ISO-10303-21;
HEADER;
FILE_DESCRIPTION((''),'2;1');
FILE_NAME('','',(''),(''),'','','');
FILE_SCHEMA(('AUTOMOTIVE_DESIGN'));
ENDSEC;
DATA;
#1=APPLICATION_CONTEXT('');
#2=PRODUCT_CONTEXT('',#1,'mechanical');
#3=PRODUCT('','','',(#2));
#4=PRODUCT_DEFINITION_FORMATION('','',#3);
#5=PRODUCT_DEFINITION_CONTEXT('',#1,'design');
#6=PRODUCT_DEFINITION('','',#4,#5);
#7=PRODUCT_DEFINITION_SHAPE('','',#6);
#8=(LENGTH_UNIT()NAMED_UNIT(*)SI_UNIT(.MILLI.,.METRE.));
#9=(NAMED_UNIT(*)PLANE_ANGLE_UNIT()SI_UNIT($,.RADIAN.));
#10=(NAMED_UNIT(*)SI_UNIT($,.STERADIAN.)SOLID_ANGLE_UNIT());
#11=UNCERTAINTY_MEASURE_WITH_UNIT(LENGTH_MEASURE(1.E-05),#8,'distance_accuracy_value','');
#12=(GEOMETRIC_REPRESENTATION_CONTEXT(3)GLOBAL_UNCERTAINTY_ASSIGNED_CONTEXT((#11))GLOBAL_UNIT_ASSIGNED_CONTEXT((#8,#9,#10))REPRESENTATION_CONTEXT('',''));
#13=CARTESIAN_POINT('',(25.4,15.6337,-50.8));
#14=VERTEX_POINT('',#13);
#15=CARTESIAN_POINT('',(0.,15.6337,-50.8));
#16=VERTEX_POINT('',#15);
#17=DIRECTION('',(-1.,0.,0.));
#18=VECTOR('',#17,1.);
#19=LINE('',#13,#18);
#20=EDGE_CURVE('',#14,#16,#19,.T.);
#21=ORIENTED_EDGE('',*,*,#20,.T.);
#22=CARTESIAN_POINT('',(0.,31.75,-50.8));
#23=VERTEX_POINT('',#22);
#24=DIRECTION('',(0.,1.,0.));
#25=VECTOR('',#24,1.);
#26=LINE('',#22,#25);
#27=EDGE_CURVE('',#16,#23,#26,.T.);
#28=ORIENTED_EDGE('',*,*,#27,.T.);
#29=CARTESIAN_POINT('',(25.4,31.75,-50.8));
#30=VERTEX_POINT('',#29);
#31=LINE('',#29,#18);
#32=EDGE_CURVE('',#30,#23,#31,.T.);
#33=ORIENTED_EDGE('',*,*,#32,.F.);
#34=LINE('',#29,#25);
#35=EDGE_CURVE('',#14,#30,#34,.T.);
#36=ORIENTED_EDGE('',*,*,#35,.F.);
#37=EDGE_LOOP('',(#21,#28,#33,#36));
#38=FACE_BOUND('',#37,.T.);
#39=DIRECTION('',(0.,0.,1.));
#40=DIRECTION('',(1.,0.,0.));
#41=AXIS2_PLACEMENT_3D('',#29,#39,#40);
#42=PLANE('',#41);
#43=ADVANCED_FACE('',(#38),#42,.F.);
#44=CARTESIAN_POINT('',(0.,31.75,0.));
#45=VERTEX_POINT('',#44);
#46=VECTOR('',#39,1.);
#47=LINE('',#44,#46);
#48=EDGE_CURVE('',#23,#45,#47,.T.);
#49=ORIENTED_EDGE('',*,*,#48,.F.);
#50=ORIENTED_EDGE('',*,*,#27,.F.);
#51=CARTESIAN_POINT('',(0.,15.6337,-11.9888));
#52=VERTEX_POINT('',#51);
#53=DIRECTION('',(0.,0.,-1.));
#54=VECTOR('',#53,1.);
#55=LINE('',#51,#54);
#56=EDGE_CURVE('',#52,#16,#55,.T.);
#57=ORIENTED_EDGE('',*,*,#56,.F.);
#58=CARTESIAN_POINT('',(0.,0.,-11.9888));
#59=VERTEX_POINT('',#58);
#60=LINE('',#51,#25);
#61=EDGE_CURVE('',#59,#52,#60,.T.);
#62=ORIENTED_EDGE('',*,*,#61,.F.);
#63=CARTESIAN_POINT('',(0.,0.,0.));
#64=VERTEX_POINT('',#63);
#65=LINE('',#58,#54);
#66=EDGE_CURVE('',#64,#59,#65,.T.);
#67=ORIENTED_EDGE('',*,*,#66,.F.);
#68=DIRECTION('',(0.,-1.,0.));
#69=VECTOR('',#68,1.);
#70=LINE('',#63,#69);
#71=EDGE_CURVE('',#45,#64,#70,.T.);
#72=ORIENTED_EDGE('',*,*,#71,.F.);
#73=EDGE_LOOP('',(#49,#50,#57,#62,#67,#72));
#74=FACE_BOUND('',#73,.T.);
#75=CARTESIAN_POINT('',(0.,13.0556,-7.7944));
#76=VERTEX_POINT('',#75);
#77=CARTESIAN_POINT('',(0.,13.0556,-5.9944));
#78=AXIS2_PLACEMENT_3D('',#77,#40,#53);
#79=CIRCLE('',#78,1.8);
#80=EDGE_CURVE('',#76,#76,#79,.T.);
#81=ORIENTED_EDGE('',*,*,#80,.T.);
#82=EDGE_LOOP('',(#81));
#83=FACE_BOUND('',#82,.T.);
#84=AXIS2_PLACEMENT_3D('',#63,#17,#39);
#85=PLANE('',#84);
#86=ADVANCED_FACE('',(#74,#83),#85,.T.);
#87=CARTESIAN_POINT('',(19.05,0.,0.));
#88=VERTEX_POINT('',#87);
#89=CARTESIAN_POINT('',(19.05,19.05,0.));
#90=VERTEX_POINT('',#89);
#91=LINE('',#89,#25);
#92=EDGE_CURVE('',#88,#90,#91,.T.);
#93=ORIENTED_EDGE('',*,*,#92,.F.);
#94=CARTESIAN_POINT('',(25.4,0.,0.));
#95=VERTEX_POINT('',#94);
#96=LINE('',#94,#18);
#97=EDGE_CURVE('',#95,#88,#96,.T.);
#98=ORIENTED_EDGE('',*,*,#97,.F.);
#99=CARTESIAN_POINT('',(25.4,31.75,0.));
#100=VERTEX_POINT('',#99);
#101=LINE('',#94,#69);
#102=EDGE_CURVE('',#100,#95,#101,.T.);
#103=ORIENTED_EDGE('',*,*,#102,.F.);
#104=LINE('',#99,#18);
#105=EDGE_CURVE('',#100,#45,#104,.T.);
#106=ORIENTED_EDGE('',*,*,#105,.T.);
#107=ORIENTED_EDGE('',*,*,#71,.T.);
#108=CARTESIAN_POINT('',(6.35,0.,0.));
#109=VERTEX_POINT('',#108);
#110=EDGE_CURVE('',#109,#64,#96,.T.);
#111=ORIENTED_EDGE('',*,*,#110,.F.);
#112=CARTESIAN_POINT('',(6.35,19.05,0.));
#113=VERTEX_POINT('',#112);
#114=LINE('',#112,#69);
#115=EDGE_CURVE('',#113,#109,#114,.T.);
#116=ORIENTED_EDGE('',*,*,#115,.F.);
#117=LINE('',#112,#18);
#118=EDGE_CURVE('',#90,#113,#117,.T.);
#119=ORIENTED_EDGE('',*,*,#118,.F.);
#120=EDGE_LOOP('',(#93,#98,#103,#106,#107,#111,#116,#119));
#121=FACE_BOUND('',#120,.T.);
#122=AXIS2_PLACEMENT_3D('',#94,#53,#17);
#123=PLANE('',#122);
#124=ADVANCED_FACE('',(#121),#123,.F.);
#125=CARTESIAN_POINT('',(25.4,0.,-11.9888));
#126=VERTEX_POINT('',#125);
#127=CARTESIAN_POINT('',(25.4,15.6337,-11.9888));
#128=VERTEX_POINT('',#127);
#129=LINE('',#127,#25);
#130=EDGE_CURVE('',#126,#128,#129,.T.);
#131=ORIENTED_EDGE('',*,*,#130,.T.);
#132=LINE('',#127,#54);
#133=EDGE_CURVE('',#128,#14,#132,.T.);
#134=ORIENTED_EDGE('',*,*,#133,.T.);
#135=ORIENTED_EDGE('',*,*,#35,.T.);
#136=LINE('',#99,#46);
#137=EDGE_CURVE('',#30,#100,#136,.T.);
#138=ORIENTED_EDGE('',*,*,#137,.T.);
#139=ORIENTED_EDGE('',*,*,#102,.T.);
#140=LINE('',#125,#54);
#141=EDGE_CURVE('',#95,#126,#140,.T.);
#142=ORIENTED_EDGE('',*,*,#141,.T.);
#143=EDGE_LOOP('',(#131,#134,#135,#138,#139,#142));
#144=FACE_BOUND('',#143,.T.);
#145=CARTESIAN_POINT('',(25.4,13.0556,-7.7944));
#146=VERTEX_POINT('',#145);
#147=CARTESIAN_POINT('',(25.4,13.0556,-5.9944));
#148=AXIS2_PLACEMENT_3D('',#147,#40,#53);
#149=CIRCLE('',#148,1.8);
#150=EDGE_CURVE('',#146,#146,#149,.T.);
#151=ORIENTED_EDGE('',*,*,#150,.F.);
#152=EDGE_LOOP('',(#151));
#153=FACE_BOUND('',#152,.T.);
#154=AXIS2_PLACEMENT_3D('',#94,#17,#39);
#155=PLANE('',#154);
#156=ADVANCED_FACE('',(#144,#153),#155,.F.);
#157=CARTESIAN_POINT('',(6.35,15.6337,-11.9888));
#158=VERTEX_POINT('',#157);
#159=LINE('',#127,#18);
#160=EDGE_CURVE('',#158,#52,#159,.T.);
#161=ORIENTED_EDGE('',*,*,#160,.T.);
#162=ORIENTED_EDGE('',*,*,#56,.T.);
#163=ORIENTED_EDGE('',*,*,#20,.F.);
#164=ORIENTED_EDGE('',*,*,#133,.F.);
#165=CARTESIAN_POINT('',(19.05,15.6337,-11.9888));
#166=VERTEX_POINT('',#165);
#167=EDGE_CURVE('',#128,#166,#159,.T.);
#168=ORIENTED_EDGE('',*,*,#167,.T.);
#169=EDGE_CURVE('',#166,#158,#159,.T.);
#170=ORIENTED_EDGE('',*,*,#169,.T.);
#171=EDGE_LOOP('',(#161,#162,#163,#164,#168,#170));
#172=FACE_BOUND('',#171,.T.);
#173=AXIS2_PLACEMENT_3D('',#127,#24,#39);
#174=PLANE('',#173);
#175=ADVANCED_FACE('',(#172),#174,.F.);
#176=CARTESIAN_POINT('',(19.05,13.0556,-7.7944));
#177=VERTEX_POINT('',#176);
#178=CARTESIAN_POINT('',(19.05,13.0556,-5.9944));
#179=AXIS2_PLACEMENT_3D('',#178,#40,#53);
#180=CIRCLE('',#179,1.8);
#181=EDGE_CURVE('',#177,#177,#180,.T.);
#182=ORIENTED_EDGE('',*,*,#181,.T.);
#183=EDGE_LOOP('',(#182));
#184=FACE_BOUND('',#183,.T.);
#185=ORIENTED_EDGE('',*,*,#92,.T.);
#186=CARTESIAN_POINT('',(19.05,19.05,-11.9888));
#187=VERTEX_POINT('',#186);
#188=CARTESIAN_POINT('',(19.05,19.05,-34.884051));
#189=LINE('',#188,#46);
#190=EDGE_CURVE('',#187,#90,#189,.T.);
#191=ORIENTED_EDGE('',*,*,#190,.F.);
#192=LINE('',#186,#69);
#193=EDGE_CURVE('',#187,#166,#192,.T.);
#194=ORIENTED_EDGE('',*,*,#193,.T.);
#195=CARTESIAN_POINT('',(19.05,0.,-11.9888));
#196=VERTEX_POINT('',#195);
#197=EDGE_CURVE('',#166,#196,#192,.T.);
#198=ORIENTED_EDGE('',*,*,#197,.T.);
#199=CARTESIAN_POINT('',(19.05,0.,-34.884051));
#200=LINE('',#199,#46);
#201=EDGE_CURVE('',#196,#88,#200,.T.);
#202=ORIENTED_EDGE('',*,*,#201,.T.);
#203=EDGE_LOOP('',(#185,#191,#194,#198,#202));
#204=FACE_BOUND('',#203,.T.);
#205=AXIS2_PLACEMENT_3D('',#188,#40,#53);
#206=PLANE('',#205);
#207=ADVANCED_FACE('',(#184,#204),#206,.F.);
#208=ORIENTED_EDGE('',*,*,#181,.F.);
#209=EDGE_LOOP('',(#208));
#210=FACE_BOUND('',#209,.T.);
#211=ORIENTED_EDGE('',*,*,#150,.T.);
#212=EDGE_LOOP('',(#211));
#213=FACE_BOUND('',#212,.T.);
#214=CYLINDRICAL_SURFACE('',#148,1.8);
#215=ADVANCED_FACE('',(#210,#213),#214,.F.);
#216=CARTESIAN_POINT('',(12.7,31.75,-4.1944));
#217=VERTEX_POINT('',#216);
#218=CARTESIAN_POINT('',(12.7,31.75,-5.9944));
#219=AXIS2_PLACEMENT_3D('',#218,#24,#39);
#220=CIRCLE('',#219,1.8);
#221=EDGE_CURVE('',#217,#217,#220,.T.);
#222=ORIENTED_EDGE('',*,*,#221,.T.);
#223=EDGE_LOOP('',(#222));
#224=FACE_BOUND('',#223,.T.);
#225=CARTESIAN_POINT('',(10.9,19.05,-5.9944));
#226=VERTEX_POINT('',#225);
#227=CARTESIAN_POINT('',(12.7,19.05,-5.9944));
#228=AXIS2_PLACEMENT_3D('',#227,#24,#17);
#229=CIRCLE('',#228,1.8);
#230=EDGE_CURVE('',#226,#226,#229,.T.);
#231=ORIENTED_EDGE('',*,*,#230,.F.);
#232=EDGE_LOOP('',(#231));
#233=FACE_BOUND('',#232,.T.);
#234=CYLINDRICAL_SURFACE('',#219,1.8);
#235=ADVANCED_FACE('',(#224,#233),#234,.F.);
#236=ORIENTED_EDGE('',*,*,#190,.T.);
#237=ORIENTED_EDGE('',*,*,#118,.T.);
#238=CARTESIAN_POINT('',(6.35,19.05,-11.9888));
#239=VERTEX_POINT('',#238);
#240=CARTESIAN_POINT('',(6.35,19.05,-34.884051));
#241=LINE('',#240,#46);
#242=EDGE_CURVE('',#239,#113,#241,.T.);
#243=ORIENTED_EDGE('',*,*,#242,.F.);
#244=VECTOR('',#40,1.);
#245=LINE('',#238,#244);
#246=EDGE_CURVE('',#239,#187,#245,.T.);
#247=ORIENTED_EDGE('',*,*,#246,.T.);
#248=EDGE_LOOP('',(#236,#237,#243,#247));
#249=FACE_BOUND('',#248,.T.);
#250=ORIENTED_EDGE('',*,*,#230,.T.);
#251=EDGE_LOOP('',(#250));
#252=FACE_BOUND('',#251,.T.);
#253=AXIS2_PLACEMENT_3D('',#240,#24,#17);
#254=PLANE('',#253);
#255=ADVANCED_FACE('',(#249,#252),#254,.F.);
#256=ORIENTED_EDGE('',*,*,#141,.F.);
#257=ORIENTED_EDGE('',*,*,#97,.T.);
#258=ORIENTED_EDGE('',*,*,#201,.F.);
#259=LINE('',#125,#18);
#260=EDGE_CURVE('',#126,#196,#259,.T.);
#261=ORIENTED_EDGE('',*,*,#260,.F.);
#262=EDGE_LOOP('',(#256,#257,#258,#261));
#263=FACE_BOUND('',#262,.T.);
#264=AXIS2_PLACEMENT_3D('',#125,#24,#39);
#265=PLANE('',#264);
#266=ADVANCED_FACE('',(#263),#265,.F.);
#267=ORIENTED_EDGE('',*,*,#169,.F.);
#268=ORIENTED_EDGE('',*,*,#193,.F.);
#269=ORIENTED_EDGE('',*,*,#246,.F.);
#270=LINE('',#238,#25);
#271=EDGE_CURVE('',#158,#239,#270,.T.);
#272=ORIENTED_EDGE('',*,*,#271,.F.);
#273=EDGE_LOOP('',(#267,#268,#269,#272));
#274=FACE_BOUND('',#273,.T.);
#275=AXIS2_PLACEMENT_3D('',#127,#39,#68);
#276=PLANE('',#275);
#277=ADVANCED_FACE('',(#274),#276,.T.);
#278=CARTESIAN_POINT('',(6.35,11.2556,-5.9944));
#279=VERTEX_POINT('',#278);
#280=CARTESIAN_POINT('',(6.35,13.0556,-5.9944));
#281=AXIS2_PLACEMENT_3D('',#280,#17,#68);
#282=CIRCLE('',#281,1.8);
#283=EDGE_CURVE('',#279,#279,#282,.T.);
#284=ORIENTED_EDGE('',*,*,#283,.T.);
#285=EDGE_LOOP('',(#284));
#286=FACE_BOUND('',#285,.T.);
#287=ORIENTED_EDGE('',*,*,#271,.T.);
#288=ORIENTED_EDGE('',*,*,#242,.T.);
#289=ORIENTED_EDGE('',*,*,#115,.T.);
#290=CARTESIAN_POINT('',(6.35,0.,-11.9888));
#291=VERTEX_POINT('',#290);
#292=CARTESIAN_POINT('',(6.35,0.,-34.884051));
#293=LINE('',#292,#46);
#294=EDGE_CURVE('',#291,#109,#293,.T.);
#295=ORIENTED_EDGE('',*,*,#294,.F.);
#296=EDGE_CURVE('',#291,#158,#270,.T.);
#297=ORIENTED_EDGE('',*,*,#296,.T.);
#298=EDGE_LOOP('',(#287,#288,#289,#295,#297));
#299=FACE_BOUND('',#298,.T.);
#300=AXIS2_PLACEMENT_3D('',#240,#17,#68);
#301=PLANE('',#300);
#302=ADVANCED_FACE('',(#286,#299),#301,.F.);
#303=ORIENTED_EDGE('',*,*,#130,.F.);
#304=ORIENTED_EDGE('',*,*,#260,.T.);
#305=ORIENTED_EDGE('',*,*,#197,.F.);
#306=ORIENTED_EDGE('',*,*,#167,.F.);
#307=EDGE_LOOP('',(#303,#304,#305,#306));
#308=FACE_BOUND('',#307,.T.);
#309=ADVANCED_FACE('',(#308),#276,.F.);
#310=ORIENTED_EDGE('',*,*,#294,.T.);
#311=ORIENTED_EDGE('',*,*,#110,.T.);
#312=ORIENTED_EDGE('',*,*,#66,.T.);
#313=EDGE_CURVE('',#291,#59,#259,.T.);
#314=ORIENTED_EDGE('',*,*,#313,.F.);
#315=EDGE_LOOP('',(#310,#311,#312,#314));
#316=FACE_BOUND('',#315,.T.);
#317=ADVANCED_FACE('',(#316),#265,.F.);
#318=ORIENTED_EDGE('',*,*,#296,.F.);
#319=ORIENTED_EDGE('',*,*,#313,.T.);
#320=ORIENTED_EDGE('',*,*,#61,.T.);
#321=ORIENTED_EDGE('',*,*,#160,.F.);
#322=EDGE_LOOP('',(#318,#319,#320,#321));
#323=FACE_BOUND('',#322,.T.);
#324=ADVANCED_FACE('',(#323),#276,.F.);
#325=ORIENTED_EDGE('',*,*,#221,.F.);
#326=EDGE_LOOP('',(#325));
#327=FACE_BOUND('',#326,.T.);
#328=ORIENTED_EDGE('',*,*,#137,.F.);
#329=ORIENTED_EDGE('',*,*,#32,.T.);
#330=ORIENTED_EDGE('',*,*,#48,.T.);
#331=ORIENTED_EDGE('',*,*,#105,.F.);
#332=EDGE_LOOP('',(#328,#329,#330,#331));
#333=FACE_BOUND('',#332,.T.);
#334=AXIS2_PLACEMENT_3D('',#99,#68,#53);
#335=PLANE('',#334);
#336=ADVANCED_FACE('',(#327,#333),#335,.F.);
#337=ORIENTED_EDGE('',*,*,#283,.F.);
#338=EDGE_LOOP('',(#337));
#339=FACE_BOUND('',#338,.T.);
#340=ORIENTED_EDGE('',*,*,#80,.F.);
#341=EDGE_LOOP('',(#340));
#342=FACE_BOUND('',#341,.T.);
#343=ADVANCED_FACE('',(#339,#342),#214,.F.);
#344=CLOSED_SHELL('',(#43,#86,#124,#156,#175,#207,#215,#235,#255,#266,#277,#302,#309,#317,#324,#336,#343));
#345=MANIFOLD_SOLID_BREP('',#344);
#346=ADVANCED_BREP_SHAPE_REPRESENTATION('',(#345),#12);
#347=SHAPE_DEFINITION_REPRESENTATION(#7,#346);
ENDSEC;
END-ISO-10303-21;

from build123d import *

# Parameters (mm, degrees)
BOSS_EXTRUDE1_DEPTH  = 25.4
SKETCH2_W            = 12.7
SKETCH2_H            = 19.05
CUT_EXTRUDE1_DEPTH   = 11.9888
M3_CLEARANCE_HOLE1_D = 3.6
M3_CLEARANCE_HOLE2_D = 3.6


with BuildPart() as part:
    # Sketch1 → Boss-Extrude1 (new body)
    with BuildSketch(Plane(origin=(0, 0, 0), x_dir=(0, 0, -1), z_dir=(1, 0, 0))):
        Polygon((0, 0), (0, 31.75), (50.8, 31.75), (50.8, 15.6337), (11.9888, 15.6337), (11.9888, 0), align=None)
    extrude(amount=BOSS_EXTRUDE1_DEPTH)

    # Sketch2 → Cut-Extrude1 (cut)
    with BuildSketch(Plane.XY):
        with Locations((12.7, 9.525)):
            Rectangle(SKETCH2_W, SKETCH2_H)
    extrude(amount=-CUT_EXTRUDE1_DEPTH, mode=Mode.SUBTRACT)

    # M3 Clearance Hole1 (through all)
    with Locations(Plane(origin=(25.4, 0, 0), x_dir=(0, 0, -1), z_dir=(1, 0, 0))):
        with Locations((5.9944, 13.0556)):
            Hole(M3_CLEARANCE_HOLE1_D / 2)

    # M3 Clearance Hole2 (through all)
    with Locations(Plane(origin=(0, 31.75, 0), x_dir=(1, 0, 0), z_dir=(0, 1, 0))):
        with Locations((12.7, 5.9944)):
            Hole(M3_CLEARANCE_HOLE2_D / 2)


solid = part.part
